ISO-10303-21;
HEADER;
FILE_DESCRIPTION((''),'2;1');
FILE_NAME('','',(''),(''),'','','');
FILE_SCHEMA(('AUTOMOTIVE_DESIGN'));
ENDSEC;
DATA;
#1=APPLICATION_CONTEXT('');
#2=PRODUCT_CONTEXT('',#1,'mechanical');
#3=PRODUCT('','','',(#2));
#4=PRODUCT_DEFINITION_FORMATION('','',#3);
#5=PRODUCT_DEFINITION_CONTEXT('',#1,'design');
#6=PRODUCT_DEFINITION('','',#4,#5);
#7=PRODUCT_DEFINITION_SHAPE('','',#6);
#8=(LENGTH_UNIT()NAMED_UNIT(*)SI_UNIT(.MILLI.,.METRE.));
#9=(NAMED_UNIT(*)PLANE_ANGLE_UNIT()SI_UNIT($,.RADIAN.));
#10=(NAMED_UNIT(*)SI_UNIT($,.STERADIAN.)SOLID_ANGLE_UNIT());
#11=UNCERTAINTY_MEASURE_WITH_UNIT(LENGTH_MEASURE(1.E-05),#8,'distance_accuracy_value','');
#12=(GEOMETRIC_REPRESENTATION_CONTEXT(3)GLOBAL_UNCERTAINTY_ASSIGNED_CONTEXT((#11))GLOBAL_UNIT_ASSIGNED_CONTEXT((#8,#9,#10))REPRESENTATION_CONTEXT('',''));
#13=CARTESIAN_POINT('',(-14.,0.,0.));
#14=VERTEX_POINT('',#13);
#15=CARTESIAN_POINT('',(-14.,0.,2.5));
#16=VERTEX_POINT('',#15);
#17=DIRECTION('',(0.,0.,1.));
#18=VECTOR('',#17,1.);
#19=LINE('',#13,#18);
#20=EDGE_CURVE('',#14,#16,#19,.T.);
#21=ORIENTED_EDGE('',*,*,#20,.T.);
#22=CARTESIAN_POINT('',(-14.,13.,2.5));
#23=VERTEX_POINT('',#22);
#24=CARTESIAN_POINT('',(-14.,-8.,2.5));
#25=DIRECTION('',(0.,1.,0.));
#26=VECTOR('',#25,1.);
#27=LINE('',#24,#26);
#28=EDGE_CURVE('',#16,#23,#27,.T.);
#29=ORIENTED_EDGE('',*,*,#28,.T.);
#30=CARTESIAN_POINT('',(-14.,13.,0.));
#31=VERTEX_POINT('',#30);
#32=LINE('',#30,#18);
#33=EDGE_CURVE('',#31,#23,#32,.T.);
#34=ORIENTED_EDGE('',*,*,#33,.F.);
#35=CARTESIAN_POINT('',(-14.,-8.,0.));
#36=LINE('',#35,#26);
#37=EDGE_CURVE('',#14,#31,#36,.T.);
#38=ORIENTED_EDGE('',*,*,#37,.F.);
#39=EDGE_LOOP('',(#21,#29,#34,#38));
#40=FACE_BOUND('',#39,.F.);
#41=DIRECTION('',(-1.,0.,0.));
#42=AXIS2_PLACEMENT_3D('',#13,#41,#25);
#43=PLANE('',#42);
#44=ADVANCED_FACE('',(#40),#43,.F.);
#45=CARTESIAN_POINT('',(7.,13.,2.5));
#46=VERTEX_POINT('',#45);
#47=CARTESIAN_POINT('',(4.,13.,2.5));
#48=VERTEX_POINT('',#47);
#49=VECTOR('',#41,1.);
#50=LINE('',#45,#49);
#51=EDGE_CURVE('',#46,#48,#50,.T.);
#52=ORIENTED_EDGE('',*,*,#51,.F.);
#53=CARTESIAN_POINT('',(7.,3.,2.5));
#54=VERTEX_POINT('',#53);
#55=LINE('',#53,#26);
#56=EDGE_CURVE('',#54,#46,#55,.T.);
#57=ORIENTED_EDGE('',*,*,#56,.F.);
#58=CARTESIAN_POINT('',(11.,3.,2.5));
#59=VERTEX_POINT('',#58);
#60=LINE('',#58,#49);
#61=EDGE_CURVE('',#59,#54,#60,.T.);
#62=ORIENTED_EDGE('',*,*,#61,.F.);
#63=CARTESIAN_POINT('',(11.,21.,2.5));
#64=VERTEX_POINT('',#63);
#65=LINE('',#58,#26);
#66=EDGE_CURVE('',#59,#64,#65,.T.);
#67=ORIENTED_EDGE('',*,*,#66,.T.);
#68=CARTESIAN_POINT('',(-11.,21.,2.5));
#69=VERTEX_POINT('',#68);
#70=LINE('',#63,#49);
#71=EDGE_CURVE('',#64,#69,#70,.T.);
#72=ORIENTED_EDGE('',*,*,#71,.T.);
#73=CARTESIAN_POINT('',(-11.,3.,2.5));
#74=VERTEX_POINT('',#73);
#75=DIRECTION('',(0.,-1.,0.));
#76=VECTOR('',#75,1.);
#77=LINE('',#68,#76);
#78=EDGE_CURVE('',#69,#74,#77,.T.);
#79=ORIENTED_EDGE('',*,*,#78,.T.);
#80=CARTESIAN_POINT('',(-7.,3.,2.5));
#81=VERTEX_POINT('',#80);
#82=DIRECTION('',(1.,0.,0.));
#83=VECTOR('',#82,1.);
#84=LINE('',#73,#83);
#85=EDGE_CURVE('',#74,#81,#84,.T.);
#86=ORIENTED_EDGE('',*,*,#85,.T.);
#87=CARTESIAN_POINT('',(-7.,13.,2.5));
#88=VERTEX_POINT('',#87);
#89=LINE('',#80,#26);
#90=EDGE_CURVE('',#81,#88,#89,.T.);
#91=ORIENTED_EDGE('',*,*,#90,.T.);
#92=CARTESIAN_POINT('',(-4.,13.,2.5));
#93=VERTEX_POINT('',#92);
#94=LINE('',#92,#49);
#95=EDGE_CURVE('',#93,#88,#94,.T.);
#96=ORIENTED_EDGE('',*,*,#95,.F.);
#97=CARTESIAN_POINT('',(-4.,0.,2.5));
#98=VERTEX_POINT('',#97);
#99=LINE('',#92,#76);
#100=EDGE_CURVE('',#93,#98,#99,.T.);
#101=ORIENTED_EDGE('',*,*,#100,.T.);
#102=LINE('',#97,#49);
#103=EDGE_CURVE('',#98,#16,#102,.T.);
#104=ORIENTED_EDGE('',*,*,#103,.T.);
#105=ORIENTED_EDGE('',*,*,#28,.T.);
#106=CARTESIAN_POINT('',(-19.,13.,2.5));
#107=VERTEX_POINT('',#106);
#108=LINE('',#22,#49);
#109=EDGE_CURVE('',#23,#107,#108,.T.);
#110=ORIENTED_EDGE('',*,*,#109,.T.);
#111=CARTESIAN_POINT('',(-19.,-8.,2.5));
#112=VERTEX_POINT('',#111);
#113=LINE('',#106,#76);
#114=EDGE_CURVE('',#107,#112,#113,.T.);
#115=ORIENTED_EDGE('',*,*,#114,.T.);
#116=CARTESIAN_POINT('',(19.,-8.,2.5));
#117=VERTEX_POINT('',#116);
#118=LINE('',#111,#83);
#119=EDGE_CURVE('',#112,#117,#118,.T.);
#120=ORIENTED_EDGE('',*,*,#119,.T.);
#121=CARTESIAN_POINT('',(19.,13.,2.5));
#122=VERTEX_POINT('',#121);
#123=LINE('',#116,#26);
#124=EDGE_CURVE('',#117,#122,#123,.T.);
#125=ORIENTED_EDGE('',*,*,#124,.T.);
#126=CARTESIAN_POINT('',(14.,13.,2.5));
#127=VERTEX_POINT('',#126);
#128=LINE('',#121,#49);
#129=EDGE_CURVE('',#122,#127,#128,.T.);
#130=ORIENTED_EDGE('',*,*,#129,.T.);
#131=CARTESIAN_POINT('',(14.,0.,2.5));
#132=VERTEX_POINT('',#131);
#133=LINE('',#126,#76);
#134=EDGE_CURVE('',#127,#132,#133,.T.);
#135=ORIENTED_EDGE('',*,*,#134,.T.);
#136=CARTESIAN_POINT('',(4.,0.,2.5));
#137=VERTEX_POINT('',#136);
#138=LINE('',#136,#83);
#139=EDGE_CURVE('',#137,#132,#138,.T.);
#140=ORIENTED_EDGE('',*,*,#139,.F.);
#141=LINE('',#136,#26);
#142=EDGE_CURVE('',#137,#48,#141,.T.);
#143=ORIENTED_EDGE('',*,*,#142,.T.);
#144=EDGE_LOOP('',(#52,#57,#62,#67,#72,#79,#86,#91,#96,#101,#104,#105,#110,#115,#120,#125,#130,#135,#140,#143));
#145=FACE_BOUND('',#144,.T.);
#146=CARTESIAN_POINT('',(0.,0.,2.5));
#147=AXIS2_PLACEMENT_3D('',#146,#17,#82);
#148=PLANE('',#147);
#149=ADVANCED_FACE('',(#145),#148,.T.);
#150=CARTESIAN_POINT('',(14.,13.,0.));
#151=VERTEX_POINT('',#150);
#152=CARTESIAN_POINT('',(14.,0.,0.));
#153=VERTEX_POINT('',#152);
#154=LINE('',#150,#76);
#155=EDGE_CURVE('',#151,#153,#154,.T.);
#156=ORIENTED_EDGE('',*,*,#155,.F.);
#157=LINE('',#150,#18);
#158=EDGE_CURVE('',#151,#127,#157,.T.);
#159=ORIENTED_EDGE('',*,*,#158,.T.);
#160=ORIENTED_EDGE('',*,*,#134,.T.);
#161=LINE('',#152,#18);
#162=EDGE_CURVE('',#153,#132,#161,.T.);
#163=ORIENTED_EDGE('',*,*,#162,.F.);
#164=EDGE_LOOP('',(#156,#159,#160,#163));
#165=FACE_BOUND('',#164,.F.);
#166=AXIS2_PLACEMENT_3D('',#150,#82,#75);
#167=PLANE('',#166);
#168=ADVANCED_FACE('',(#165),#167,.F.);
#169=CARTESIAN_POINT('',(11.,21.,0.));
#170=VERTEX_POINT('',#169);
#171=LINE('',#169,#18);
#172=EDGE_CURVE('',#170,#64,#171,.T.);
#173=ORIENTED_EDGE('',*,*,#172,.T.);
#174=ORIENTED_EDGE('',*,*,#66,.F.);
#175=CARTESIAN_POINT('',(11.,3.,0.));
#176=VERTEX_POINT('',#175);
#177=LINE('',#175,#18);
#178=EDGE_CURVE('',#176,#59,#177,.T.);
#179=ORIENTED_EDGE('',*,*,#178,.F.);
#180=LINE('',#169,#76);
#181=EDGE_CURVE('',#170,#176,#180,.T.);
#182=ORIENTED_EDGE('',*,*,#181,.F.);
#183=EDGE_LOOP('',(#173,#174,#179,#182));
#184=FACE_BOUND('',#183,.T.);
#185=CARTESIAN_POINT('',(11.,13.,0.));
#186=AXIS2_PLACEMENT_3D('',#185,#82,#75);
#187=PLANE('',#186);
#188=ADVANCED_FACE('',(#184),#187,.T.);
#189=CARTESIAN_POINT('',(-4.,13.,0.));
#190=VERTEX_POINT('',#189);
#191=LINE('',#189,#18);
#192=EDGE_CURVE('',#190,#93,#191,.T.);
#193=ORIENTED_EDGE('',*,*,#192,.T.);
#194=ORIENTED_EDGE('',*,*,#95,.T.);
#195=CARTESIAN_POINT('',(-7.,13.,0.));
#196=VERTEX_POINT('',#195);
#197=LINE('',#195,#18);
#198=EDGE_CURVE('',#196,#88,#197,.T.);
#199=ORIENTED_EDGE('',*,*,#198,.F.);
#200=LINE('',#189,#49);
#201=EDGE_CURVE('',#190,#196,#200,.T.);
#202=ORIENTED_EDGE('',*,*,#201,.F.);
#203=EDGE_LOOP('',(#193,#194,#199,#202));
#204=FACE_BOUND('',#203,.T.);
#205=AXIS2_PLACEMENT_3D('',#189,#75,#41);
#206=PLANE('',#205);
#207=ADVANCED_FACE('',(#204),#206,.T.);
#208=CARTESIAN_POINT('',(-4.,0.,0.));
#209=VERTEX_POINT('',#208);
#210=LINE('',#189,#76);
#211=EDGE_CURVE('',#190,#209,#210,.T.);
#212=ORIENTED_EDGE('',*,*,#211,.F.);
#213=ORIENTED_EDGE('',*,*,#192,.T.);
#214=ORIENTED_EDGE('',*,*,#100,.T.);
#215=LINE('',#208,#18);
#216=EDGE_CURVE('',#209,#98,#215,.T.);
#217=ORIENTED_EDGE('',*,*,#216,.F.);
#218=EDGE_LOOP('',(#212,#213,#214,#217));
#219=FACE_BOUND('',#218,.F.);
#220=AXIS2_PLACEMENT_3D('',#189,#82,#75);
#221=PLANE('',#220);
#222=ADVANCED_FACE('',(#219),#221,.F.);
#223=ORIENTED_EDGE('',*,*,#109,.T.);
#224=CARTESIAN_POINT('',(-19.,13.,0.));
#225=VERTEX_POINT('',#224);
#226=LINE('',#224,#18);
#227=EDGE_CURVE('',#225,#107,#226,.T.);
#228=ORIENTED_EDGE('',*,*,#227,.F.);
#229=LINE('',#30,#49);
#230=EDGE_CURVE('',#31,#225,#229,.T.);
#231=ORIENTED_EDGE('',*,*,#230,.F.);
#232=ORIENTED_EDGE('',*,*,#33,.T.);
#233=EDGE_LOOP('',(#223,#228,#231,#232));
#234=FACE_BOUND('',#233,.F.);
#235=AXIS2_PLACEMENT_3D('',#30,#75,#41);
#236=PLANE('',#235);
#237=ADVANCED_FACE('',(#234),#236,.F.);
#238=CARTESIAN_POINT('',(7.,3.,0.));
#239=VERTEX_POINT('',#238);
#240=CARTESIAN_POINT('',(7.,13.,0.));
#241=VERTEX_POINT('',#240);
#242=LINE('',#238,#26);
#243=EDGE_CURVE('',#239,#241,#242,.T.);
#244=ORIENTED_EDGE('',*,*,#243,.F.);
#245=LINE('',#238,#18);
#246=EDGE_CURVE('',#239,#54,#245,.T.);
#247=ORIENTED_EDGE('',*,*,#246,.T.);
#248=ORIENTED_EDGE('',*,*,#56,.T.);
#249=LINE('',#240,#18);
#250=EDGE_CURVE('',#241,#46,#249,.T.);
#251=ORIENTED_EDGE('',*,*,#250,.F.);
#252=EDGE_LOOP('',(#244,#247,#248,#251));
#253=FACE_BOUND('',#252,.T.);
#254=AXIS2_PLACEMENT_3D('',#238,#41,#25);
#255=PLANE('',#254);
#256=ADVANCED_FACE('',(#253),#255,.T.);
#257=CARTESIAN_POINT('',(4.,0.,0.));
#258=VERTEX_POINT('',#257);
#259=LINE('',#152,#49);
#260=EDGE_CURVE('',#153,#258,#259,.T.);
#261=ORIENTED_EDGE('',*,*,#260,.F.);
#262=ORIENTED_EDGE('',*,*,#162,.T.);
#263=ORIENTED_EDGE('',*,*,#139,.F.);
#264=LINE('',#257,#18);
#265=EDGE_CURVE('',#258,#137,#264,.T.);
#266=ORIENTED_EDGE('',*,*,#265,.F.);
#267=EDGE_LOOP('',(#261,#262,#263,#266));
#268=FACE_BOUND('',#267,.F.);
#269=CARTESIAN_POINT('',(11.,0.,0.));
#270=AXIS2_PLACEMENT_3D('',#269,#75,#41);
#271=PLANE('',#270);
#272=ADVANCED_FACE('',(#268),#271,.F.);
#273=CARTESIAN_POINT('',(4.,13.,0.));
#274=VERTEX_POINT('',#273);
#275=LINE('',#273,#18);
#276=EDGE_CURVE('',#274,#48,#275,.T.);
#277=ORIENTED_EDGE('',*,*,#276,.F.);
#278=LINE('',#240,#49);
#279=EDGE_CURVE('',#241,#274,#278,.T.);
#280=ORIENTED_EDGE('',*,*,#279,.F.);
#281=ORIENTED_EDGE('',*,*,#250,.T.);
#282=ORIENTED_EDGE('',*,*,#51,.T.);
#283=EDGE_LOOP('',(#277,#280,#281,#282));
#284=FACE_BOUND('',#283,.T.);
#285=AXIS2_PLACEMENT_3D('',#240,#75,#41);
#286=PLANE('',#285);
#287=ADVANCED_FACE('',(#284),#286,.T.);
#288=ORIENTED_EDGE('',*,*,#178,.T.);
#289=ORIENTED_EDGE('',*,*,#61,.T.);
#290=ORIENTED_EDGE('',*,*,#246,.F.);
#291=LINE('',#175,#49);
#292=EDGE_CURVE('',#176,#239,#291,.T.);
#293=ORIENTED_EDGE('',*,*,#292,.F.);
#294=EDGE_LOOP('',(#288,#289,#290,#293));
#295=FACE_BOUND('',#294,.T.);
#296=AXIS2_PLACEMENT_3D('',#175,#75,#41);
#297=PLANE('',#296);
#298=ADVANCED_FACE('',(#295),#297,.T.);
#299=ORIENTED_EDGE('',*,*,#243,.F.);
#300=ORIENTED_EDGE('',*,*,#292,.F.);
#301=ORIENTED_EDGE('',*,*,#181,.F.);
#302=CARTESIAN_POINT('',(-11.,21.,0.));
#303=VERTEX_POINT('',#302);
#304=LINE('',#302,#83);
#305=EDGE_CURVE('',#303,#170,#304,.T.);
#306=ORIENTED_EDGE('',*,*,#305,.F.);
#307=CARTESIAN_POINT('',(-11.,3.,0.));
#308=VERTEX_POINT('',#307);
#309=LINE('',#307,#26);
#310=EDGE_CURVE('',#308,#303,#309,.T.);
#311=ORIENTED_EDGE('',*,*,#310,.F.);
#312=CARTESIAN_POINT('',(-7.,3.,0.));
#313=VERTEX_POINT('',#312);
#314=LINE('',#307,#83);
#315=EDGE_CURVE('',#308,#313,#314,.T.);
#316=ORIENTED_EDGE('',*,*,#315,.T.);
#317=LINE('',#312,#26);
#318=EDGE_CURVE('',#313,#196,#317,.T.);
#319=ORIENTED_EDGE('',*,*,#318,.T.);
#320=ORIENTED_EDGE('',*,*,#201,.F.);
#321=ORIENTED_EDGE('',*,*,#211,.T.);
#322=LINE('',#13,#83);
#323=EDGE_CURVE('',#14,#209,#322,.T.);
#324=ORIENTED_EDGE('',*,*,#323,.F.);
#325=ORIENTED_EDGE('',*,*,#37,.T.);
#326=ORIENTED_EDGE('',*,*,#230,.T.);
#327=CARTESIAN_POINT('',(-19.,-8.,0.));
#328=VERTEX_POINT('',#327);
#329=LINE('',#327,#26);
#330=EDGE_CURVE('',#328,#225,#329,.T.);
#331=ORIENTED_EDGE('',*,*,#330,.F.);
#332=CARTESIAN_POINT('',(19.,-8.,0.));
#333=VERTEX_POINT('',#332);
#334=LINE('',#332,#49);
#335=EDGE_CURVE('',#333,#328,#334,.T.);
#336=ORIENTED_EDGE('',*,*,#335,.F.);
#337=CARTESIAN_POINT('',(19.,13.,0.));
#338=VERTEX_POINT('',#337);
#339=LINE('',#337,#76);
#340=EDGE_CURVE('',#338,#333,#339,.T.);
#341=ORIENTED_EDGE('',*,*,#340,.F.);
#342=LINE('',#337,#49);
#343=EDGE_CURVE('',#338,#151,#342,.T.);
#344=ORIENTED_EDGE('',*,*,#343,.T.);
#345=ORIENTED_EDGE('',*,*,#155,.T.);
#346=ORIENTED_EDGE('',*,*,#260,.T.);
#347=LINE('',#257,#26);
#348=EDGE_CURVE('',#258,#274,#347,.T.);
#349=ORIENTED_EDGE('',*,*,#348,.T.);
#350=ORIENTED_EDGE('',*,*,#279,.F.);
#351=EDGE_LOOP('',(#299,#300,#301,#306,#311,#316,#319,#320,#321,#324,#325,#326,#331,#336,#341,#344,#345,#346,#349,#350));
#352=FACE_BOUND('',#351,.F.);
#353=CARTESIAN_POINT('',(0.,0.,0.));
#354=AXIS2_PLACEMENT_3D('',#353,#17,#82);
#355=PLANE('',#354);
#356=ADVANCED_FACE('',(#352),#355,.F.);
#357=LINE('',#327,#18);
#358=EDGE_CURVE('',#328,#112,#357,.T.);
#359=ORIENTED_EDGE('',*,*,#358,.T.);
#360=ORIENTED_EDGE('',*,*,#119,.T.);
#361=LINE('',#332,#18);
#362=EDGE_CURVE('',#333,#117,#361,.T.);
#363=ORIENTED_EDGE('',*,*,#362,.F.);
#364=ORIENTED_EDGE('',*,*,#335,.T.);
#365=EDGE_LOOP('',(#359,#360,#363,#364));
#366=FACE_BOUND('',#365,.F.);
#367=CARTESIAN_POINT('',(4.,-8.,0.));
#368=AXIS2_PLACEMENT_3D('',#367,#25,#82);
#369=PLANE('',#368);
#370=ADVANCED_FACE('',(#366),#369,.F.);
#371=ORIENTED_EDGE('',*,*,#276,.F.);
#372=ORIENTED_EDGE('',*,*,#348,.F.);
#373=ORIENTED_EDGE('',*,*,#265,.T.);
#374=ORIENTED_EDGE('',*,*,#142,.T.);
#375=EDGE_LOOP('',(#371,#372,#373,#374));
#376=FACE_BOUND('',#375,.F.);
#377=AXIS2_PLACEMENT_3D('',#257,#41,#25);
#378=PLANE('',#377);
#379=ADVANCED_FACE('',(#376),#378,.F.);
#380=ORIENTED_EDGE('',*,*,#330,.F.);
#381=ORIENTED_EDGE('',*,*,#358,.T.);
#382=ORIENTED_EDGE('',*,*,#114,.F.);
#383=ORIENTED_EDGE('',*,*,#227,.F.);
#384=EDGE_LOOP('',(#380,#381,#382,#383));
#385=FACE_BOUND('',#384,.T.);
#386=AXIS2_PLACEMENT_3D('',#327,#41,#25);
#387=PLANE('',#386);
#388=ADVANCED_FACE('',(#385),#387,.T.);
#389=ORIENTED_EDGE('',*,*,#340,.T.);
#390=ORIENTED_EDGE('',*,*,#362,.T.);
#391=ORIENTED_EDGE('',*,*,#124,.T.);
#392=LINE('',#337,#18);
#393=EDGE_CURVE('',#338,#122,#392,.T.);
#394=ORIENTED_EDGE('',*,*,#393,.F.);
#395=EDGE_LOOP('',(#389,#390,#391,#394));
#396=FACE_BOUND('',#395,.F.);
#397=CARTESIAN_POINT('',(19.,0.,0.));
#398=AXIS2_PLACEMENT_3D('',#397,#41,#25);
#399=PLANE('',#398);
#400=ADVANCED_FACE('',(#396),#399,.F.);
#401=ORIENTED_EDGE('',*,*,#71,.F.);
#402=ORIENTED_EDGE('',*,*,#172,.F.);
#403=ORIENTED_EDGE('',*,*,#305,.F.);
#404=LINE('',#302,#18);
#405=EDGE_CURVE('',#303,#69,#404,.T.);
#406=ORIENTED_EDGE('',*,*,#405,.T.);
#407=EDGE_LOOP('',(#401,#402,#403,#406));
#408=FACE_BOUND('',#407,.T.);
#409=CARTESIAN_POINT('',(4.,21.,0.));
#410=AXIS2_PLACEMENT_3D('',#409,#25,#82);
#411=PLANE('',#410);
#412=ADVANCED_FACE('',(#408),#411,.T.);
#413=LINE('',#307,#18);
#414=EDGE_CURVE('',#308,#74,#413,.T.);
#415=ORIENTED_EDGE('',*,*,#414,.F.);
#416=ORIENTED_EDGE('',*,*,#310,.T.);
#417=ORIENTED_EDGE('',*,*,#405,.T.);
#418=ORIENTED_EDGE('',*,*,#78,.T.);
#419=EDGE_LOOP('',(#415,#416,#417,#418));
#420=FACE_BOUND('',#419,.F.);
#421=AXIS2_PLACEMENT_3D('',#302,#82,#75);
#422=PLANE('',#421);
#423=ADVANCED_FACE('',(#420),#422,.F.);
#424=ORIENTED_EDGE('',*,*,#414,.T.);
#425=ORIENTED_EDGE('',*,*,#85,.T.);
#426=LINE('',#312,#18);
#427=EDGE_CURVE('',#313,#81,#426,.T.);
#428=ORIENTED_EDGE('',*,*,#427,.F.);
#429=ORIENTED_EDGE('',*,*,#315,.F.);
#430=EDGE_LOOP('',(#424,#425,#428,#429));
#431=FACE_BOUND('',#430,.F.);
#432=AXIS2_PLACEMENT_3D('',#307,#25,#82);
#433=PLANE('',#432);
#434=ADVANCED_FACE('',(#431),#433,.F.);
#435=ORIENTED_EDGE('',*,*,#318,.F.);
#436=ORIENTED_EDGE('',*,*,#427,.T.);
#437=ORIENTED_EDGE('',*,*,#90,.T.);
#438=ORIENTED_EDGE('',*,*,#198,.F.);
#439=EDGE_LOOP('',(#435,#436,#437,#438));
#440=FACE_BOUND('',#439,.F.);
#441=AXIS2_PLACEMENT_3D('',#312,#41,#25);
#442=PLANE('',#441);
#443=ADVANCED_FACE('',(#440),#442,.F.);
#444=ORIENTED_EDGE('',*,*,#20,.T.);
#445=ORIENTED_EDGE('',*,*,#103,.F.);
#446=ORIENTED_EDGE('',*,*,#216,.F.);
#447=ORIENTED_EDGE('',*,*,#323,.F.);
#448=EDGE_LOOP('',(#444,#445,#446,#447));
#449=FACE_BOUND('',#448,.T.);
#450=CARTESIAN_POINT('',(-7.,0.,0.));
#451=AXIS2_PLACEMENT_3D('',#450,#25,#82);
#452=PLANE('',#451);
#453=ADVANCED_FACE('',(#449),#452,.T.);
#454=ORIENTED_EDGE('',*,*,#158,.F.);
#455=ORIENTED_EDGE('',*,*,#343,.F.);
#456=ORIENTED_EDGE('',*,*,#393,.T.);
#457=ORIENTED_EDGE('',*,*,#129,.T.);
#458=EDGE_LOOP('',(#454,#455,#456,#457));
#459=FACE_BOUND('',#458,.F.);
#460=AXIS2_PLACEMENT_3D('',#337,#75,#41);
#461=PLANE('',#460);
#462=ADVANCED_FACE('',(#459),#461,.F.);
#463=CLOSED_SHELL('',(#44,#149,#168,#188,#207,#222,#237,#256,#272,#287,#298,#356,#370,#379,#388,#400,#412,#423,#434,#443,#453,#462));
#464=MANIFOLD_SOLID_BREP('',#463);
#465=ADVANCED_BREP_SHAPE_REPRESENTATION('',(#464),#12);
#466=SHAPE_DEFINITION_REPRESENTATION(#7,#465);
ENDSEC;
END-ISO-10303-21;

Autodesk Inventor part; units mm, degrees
ref_plane "YZ Plane" through (0, 0, 0) normal (1, 0, 0) x (0, 1, 0)
ref_plane "XZ Plane" through (0, 0, 0) normal (0, 1, 0) x (-1, 0, 0)
ref_plane "XY Plane" through (0, 0, 0) normal (0, 0, 1) x (1, 0, 0)
sketch "Sketch1" plane through (0, 0, 0) normal (0, 0, 1) x (1, 0, 0)
  line L0 (0, 0) -> (4, 0)
  line L1 (4, 0) -> (4, 13)
  line L2 (4, 13) -> (0, 13)
  line L3 (0, 13) -> (0, 0)
  line L4 (4, 13) -> (-4, 13)
  line L5 (-4, 13) -> (-4, -8)
  line L6 (-4, -8) -> (4, -8)
  line L7 (4, -8) -> (4, 13)
  line L8 (-4, 13) -> (4, 13)
  line L9 (4, 13) -> (4, 21)
  line L10 (4, 21) -> (-4, 21)
  line L11 (-4, 21) -> (-4, 13)
  line L12 (4, 21) -> (7, 21)
  line L13 (7, 21) -> (7, 13)
  line L14 (7, 13) -> (4, 13)
  line L15 (4, 13) -> (4, 21)
  line L16 (7, 21) -> (11, 21)
  line L17 (11, 21) -> (11, 13)
  line L18 (11, 13) -> (7, 13)
  line L19 (7, 13) -> (7, 21)
  line L20 (11, 13) -> (4, 13)
  line L21 (4, 13) -> (4, -8)
  line L22 (4, -8) -> (11, -8)
  line L23 (4, -8) -> (11, -8)
  line L24 (11, -8) -> (11, 0)
  line L25 (11, 0) -> (4, 0)
  line L26 (4, 0) -> (4, -8)
  line L27 (11, -8) -> (14, -8)
  line L28 (14, -8) -> (14, 0)
  line L29 (14, 0) -> (11, 0)
  line L30 (11, 0) -> (11, -8)
  line L31 (14, -8) -> (19, -8)
  line L32 (19, -8) -> (19, 13)
  line L33 (19, 13) -> (14, 13)
  line L34 (14, 13) -> (14, -8)
  line L35 (14, 13) -> (22, 13)
  line L36 (14, 18) -> (14, 13)
  line L37 (19, 13) -> (14, 13)
  line L38 (14, 13) -> (14, 21)
  line L39 (14, 21) -> (19, 21)
  line L40 (19, 21) -> (19, 13)
  line L41 (19, -8) -> (-19, -8)
  line L42 (-19, -8) -> (-19, 0)
  line L43 (-19, 0) -> (19, 0)
  line L44 (19, 0) -> (19, -8)
  line L45 (-4, 0) -> (-7, 0)
  line L46 (-7, 0) -> (-7, -8)
  line L47 (-7, -8) -> (-4, -8)
  line L48 (-4, -8) -> (-4, 0)
  line L49 (-7, 0) -> (-11, 0)
  line L50 (-11, 0) -> (-11, -8)
  line L51 (-11, -8) -> (-7, -8)
  line L52 (-7, -8) -> (-7, 0)
  line L53 (-11, -8) -> (-14, -8)
  line L54 (-14, -8) -> (-14, 0)
  line L55 (-14, 0) -> (-11, 0)
  line L56 (-11, 0) -> (-11, -8)
  line L57 (7, 13) -> (11, 13)
  line L58 (11, 13) -> (11, 3)
  line L59 (11, 3) -> (7, 3)
  line L60 (7, 3) -> (7, 13)
  line L61 (-4, 13) -> (-7, 13)
  line L62 (-7, 13) -> (-7, 21)
  line L63 (-7, 21) -> (-4, 21)
  line L64 (-4, 21) -> (-4, 13)
  line L65 (-7, 21) -> (-11, 21)
  line L66 (-11, 21) -> (-11, 13)
  line L67 (-11, 13) -> (-7, 13)
  line L68 (-7, 13) -> (-7, 21)
  line L69 (-7, 13) -> (-11, 13)
  line L70 (-11, 13) -> (-11, 3)
  line L71 (-11, 3) -> (-7, 3)
  line L72 (-7, 3) -> (-7, 13)
  line L73 (-19, -8) -> (-14, -8)
  line L74 (-14, -8) -> (-14, 13)
  line L75 (-14, 13) -> (-19, 13)
  line L76 (-19, 13) -> (-19, -8)
  dimension "d0" = 4
  dimension "d1" = 13
  dimension "d2" = 8
  dimension "d3" = 21
  dimension "d4" = 8
  dimension "d5" = 8
  dimension "d6" = 3
  dimension "d7" = 8
  dimension "d8" = 4
  dimension "d9" = 8
  dimension "d10" = 3
  dimension "d11" = 8
  dimension "d12" = 5
  dimension "d13" = 21
  dimension "d16" = 5
  dimension "d17" = 8
  dimension "d18" = 38
  dimension "d19" = 8
  dimension "d20" = 3
  dimension "d21" = 8
  dimension "d22" = 4
  dimension "d23" = 8
  dimension "d24" = 3
  dimension "d25" = 8
  dimension "d26" = 10
  dimension "d27" = 3
  dimension "d28" = 8
  dimension "d29" = 4
  dimension "d30" = 8
  dimension "d31" = 4
  dimension "d32" = 10
  dimension "d33" = 5
  dimension "d34" = 21
extrude "Extrusion1" add sketch "Sketch1" along normal blind 2.5 contours L3 L2 L1 L0 | L43 L5 L4 L3 | L0 L7 L6 L5 L43 | L25 L24 L22 L7 | L4 L11 L10 L9 L2 | L5 L41 L46 L43 | L9 L12 L13 L14 | L29 L28 L27 L24 | L61 L62 L63 L11 | L46 L41 L50 L43 | L13 L16 L17 L18 | L18 L58 L59 L60 | L43 L32 L31 L28 | L34 L33 L32 L43 | L67 L66 L65 L62 | L72 L71 L70 L67 | L50 L41 L54 L43 | L54 L41 L42 L43 | L43 L76 L75 L74
properties part number "loadCell"
